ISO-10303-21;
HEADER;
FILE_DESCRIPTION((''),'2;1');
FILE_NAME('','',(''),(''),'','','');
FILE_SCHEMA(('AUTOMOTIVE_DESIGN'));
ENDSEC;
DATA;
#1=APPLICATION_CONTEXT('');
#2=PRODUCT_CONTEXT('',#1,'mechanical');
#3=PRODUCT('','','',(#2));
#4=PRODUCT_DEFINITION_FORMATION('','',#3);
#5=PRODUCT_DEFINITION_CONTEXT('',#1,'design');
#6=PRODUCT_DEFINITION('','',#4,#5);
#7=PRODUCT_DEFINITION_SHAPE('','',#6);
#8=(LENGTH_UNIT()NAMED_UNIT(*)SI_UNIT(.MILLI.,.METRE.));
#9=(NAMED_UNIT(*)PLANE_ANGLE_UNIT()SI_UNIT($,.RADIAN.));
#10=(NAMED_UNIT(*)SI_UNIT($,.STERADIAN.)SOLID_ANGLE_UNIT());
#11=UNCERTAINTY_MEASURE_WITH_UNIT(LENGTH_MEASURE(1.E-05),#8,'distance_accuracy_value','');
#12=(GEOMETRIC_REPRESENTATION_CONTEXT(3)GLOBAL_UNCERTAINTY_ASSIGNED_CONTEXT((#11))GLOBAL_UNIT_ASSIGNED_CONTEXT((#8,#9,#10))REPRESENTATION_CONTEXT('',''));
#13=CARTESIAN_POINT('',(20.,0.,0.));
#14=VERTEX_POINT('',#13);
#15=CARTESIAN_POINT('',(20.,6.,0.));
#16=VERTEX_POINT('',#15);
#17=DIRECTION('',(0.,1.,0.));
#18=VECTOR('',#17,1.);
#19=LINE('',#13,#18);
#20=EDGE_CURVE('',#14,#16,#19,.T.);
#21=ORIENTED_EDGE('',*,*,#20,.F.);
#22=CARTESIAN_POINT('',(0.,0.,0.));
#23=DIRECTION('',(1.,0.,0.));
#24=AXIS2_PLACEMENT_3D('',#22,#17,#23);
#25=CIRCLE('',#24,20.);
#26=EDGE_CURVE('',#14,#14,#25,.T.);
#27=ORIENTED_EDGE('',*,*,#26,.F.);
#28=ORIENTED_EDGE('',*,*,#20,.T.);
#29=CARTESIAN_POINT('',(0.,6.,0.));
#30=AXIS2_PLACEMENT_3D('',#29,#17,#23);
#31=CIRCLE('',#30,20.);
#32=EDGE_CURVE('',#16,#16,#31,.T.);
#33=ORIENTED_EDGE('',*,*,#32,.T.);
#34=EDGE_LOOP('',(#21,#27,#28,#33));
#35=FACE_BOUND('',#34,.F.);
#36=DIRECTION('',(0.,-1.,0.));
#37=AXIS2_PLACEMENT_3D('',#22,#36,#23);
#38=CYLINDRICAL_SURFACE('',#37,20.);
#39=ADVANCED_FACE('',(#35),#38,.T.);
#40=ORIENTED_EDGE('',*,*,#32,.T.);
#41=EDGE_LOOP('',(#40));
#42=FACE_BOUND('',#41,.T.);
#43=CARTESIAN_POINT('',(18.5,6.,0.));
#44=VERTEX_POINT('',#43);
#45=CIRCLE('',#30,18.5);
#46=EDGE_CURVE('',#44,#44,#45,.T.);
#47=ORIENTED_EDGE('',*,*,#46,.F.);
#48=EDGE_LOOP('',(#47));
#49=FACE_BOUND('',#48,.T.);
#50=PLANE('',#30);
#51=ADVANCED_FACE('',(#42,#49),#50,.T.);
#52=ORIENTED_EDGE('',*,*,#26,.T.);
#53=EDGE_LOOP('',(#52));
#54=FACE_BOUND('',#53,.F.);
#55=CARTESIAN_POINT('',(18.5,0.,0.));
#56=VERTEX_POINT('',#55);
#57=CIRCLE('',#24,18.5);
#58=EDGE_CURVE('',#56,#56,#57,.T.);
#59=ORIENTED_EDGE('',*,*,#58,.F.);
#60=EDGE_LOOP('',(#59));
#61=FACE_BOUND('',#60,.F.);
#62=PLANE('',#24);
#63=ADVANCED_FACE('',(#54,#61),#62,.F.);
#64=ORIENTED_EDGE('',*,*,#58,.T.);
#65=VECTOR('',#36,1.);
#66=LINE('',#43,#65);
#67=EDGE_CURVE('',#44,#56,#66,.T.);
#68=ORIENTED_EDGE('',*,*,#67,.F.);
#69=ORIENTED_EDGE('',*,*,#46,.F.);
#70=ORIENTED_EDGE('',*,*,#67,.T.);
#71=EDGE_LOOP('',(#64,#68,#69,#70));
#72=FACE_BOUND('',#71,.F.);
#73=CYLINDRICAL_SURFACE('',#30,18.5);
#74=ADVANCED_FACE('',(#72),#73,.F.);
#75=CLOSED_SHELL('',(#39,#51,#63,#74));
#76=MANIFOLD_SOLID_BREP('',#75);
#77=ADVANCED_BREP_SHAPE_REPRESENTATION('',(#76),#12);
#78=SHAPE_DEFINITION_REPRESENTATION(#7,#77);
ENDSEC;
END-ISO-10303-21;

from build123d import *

# Parameters (mm, degrees)
SKETCH3_R           = 20
BOSS_EXTRUDE1_DEPTH = 6
SKETCH5_R           = 18.5
CUT_EXTRUDE1_DEPTH  = 6


with BuildPart() as part:
    # Sketch3 → Boss-Extrude1 (new body)
    with BuildSketch(Plane(origin=(0, 0, 0), x_dir=(1, 0, 0), z_dir=(0, 1, 0))):
        Circle(SKETCH3_R)
    extrude(amount=BOSS_EXTRUDE1_DEPTH)

    # Sketch5 → Cut-Extrude1 (cut)
    with BuildSketch(Plane(origin=(0, 6, 0), x_dir=(1, 0, 0), z_dir=(0, 1, 0))):
        Circle(SKETCH5_R)
    extrude(amount=-CUT_EXTRUDE1_DEPTH, mode=Mode.SUBTRACT)


solid = part.part
